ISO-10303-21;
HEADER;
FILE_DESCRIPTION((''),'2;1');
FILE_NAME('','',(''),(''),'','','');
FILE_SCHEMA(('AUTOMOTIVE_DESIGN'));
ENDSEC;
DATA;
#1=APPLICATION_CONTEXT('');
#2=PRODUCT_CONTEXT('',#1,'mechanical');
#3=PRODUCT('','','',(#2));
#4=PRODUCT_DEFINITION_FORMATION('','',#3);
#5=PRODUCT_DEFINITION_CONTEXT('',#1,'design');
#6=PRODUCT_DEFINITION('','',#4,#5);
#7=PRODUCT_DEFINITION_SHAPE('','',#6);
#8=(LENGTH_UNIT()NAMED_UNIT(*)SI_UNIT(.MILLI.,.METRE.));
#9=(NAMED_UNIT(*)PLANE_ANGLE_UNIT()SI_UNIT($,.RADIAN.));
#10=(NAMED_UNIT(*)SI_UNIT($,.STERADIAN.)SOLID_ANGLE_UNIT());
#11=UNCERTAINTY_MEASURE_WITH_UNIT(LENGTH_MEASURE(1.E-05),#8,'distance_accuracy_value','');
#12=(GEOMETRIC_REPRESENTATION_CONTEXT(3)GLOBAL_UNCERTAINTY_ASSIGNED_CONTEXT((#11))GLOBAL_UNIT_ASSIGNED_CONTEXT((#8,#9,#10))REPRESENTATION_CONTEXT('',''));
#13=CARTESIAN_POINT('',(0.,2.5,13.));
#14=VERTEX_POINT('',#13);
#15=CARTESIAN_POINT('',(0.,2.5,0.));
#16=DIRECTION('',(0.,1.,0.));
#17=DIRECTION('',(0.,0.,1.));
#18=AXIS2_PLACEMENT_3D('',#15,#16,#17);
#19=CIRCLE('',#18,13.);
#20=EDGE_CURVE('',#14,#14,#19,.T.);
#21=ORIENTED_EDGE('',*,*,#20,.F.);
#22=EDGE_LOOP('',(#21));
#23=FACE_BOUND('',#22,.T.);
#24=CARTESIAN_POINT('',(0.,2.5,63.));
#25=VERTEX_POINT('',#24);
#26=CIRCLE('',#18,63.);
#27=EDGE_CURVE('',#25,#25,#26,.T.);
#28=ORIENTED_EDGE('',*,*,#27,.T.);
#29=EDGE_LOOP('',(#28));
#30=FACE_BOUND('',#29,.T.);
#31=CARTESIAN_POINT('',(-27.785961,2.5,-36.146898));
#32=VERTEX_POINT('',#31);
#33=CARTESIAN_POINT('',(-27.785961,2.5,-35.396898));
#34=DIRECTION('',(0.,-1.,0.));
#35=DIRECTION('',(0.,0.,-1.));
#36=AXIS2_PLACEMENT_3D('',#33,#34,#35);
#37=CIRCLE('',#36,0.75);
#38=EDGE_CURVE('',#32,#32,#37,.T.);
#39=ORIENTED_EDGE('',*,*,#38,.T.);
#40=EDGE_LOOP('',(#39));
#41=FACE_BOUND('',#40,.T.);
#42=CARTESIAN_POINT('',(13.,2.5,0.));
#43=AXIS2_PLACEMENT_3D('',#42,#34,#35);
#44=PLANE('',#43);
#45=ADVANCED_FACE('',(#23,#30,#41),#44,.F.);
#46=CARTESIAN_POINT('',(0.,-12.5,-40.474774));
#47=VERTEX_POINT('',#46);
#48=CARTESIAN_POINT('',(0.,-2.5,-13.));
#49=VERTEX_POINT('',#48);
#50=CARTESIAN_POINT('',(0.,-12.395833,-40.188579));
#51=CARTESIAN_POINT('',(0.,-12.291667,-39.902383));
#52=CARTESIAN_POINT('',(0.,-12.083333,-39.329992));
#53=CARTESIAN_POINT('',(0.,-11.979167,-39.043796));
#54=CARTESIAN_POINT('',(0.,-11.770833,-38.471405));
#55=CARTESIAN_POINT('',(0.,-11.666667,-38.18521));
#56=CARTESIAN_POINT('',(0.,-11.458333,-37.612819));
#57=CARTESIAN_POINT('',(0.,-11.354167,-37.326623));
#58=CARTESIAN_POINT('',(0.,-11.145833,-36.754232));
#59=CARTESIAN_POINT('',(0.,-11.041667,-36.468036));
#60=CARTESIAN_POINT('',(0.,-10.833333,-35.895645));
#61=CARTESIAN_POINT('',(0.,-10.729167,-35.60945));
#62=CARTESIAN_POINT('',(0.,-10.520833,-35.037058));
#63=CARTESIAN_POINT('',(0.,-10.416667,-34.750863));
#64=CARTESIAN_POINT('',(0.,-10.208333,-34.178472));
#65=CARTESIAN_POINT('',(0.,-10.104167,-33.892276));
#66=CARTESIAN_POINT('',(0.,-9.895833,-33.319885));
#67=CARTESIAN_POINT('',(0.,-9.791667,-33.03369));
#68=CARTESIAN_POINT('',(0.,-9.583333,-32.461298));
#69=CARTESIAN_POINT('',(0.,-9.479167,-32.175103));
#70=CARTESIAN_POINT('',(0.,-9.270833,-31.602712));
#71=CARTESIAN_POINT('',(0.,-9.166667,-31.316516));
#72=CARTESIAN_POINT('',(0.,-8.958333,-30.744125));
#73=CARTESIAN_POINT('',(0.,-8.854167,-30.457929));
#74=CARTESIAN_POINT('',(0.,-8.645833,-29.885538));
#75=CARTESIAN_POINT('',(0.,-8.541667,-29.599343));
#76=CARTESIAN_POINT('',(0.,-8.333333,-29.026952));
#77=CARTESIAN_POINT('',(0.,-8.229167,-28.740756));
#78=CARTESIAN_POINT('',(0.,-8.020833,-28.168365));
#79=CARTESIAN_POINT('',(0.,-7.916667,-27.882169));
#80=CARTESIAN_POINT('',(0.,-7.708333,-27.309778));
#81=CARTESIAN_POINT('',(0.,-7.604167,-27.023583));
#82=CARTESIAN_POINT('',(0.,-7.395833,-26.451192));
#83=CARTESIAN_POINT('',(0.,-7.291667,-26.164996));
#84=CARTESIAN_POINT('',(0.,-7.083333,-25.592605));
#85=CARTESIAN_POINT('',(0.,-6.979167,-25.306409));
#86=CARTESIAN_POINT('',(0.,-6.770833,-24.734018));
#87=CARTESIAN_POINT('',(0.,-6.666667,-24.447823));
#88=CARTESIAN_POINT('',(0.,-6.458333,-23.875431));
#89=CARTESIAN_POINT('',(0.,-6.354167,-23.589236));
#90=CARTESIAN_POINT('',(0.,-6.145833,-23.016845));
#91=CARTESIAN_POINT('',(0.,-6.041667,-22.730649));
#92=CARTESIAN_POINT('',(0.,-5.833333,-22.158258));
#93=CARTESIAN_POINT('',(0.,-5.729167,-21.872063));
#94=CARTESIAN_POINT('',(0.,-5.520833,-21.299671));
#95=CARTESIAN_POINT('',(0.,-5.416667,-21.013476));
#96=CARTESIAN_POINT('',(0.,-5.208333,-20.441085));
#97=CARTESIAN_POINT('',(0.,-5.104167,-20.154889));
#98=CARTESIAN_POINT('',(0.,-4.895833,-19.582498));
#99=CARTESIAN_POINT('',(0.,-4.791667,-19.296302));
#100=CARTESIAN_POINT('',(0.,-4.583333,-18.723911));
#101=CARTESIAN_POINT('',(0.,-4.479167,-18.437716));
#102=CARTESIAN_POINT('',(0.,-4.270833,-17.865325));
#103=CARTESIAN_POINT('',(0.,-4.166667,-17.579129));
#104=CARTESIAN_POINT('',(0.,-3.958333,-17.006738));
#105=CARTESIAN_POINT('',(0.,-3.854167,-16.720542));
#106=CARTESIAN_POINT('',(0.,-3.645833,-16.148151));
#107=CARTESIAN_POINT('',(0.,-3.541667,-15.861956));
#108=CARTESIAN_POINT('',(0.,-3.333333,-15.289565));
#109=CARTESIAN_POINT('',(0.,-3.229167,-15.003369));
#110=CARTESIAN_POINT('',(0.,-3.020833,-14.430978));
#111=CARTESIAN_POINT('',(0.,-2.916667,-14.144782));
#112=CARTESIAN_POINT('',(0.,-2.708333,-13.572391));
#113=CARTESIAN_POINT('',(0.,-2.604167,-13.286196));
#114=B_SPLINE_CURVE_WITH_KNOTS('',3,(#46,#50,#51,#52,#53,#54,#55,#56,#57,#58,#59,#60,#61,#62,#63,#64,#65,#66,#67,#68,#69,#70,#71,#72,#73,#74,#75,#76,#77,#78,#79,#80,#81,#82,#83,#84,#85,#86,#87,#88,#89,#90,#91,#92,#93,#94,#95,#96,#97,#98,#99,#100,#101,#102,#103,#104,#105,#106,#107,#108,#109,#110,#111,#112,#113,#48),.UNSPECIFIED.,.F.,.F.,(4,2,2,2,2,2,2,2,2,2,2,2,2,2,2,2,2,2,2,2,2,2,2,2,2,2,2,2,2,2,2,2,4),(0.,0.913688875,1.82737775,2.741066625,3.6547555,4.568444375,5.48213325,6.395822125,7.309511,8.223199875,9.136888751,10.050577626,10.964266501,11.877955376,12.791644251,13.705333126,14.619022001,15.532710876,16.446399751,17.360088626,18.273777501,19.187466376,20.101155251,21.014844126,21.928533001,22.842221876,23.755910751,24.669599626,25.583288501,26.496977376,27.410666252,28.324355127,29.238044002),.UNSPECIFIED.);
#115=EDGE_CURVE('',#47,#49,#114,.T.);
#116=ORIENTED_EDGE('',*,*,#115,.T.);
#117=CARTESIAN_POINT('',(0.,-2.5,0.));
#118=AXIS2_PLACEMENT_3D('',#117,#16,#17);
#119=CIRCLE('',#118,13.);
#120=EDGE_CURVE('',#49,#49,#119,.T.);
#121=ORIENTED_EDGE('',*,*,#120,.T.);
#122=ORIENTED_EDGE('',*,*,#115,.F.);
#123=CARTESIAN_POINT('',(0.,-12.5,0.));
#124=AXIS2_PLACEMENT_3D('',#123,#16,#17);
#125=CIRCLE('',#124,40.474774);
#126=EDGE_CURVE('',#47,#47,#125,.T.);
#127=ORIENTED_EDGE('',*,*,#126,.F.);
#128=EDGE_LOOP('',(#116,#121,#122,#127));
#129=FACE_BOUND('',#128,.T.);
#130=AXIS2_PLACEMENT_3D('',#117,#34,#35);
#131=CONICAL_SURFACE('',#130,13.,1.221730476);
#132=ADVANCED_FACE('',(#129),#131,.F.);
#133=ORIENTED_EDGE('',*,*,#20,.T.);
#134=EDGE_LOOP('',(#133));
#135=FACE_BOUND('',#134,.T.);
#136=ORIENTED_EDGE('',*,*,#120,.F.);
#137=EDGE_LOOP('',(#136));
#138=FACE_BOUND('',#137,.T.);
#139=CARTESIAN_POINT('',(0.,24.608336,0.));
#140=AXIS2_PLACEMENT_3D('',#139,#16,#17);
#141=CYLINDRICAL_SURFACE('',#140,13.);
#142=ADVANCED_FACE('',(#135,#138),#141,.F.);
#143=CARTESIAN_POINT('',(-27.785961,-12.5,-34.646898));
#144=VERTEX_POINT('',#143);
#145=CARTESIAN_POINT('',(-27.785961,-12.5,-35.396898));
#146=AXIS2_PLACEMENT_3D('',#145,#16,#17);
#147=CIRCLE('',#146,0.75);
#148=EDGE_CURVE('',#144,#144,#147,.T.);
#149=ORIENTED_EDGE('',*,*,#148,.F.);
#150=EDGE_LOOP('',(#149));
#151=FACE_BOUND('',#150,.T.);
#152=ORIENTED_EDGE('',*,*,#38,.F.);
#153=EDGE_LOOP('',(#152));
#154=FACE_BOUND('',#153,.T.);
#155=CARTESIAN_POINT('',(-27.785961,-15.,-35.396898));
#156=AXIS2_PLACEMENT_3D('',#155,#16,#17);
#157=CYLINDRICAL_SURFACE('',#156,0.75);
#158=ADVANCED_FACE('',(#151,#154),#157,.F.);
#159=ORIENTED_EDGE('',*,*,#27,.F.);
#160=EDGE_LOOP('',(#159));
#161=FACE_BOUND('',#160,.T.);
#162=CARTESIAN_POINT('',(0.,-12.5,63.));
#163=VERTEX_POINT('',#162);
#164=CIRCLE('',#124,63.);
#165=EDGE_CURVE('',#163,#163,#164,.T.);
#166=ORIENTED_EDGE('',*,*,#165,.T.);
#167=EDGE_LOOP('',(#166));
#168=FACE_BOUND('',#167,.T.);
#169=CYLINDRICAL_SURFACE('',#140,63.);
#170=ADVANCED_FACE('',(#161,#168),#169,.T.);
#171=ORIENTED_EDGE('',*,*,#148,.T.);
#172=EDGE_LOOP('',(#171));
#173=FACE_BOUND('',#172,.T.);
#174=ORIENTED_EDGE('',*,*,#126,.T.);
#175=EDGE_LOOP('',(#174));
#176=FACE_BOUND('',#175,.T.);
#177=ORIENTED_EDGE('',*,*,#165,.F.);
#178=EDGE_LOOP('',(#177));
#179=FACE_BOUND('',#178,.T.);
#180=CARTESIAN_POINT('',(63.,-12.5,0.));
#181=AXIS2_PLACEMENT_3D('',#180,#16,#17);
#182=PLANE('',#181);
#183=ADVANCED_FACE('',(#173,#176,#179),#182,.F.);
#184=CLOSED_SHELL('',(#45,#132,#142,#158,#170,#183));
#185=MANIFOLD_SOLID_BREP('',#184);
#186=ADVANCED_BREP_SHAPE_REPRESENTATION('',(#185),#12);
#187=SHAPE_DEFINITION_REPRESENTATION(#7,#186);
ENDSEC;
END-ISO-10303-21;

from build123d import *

# Parameters (mm, degrees)
SZKIC2_R                   = 0.75
WYTNIJ_WYCI_GNI_CIE2_DEPTH = 15


with BuildPart() as part:
    # Szkic1 → Obrót1 (revolve)
    with BuildSketch(Plane.XY, mode=Mode.PRIVATE) as obr_t1_sk:
        Polygon((13, 2.5), (63, 2.5), (63, -12.5), (40.474774195, -12.5), (13, -2.5), align=None)
    revolve(obr_t1_sk.sketch.rotate(Axis((0, 24.608336301, 0), (0, -1, 0)), 90), axis=Axis((0, 24.608336301, 0), (0, -1, 0)))

    # Szkic2 → Wytnij-wyciągnięcie2 (cut, symmetric)
    with BuildSketch(Plane(origin=(0, 0, 0), x_dir=(1, 0, 0), z_dir=(0, 1, 0))):
        with Locations(Location((-27.785960816, 35.396897909, 0), (0, 0, 270))):
            Circle(SZKIC2_R)
    extrude(amount=WYTNIJ_WYCI_GNI_CIE2_DEPTH, both=True, mode=Mode.SUBTRACT)


solid = part.part
